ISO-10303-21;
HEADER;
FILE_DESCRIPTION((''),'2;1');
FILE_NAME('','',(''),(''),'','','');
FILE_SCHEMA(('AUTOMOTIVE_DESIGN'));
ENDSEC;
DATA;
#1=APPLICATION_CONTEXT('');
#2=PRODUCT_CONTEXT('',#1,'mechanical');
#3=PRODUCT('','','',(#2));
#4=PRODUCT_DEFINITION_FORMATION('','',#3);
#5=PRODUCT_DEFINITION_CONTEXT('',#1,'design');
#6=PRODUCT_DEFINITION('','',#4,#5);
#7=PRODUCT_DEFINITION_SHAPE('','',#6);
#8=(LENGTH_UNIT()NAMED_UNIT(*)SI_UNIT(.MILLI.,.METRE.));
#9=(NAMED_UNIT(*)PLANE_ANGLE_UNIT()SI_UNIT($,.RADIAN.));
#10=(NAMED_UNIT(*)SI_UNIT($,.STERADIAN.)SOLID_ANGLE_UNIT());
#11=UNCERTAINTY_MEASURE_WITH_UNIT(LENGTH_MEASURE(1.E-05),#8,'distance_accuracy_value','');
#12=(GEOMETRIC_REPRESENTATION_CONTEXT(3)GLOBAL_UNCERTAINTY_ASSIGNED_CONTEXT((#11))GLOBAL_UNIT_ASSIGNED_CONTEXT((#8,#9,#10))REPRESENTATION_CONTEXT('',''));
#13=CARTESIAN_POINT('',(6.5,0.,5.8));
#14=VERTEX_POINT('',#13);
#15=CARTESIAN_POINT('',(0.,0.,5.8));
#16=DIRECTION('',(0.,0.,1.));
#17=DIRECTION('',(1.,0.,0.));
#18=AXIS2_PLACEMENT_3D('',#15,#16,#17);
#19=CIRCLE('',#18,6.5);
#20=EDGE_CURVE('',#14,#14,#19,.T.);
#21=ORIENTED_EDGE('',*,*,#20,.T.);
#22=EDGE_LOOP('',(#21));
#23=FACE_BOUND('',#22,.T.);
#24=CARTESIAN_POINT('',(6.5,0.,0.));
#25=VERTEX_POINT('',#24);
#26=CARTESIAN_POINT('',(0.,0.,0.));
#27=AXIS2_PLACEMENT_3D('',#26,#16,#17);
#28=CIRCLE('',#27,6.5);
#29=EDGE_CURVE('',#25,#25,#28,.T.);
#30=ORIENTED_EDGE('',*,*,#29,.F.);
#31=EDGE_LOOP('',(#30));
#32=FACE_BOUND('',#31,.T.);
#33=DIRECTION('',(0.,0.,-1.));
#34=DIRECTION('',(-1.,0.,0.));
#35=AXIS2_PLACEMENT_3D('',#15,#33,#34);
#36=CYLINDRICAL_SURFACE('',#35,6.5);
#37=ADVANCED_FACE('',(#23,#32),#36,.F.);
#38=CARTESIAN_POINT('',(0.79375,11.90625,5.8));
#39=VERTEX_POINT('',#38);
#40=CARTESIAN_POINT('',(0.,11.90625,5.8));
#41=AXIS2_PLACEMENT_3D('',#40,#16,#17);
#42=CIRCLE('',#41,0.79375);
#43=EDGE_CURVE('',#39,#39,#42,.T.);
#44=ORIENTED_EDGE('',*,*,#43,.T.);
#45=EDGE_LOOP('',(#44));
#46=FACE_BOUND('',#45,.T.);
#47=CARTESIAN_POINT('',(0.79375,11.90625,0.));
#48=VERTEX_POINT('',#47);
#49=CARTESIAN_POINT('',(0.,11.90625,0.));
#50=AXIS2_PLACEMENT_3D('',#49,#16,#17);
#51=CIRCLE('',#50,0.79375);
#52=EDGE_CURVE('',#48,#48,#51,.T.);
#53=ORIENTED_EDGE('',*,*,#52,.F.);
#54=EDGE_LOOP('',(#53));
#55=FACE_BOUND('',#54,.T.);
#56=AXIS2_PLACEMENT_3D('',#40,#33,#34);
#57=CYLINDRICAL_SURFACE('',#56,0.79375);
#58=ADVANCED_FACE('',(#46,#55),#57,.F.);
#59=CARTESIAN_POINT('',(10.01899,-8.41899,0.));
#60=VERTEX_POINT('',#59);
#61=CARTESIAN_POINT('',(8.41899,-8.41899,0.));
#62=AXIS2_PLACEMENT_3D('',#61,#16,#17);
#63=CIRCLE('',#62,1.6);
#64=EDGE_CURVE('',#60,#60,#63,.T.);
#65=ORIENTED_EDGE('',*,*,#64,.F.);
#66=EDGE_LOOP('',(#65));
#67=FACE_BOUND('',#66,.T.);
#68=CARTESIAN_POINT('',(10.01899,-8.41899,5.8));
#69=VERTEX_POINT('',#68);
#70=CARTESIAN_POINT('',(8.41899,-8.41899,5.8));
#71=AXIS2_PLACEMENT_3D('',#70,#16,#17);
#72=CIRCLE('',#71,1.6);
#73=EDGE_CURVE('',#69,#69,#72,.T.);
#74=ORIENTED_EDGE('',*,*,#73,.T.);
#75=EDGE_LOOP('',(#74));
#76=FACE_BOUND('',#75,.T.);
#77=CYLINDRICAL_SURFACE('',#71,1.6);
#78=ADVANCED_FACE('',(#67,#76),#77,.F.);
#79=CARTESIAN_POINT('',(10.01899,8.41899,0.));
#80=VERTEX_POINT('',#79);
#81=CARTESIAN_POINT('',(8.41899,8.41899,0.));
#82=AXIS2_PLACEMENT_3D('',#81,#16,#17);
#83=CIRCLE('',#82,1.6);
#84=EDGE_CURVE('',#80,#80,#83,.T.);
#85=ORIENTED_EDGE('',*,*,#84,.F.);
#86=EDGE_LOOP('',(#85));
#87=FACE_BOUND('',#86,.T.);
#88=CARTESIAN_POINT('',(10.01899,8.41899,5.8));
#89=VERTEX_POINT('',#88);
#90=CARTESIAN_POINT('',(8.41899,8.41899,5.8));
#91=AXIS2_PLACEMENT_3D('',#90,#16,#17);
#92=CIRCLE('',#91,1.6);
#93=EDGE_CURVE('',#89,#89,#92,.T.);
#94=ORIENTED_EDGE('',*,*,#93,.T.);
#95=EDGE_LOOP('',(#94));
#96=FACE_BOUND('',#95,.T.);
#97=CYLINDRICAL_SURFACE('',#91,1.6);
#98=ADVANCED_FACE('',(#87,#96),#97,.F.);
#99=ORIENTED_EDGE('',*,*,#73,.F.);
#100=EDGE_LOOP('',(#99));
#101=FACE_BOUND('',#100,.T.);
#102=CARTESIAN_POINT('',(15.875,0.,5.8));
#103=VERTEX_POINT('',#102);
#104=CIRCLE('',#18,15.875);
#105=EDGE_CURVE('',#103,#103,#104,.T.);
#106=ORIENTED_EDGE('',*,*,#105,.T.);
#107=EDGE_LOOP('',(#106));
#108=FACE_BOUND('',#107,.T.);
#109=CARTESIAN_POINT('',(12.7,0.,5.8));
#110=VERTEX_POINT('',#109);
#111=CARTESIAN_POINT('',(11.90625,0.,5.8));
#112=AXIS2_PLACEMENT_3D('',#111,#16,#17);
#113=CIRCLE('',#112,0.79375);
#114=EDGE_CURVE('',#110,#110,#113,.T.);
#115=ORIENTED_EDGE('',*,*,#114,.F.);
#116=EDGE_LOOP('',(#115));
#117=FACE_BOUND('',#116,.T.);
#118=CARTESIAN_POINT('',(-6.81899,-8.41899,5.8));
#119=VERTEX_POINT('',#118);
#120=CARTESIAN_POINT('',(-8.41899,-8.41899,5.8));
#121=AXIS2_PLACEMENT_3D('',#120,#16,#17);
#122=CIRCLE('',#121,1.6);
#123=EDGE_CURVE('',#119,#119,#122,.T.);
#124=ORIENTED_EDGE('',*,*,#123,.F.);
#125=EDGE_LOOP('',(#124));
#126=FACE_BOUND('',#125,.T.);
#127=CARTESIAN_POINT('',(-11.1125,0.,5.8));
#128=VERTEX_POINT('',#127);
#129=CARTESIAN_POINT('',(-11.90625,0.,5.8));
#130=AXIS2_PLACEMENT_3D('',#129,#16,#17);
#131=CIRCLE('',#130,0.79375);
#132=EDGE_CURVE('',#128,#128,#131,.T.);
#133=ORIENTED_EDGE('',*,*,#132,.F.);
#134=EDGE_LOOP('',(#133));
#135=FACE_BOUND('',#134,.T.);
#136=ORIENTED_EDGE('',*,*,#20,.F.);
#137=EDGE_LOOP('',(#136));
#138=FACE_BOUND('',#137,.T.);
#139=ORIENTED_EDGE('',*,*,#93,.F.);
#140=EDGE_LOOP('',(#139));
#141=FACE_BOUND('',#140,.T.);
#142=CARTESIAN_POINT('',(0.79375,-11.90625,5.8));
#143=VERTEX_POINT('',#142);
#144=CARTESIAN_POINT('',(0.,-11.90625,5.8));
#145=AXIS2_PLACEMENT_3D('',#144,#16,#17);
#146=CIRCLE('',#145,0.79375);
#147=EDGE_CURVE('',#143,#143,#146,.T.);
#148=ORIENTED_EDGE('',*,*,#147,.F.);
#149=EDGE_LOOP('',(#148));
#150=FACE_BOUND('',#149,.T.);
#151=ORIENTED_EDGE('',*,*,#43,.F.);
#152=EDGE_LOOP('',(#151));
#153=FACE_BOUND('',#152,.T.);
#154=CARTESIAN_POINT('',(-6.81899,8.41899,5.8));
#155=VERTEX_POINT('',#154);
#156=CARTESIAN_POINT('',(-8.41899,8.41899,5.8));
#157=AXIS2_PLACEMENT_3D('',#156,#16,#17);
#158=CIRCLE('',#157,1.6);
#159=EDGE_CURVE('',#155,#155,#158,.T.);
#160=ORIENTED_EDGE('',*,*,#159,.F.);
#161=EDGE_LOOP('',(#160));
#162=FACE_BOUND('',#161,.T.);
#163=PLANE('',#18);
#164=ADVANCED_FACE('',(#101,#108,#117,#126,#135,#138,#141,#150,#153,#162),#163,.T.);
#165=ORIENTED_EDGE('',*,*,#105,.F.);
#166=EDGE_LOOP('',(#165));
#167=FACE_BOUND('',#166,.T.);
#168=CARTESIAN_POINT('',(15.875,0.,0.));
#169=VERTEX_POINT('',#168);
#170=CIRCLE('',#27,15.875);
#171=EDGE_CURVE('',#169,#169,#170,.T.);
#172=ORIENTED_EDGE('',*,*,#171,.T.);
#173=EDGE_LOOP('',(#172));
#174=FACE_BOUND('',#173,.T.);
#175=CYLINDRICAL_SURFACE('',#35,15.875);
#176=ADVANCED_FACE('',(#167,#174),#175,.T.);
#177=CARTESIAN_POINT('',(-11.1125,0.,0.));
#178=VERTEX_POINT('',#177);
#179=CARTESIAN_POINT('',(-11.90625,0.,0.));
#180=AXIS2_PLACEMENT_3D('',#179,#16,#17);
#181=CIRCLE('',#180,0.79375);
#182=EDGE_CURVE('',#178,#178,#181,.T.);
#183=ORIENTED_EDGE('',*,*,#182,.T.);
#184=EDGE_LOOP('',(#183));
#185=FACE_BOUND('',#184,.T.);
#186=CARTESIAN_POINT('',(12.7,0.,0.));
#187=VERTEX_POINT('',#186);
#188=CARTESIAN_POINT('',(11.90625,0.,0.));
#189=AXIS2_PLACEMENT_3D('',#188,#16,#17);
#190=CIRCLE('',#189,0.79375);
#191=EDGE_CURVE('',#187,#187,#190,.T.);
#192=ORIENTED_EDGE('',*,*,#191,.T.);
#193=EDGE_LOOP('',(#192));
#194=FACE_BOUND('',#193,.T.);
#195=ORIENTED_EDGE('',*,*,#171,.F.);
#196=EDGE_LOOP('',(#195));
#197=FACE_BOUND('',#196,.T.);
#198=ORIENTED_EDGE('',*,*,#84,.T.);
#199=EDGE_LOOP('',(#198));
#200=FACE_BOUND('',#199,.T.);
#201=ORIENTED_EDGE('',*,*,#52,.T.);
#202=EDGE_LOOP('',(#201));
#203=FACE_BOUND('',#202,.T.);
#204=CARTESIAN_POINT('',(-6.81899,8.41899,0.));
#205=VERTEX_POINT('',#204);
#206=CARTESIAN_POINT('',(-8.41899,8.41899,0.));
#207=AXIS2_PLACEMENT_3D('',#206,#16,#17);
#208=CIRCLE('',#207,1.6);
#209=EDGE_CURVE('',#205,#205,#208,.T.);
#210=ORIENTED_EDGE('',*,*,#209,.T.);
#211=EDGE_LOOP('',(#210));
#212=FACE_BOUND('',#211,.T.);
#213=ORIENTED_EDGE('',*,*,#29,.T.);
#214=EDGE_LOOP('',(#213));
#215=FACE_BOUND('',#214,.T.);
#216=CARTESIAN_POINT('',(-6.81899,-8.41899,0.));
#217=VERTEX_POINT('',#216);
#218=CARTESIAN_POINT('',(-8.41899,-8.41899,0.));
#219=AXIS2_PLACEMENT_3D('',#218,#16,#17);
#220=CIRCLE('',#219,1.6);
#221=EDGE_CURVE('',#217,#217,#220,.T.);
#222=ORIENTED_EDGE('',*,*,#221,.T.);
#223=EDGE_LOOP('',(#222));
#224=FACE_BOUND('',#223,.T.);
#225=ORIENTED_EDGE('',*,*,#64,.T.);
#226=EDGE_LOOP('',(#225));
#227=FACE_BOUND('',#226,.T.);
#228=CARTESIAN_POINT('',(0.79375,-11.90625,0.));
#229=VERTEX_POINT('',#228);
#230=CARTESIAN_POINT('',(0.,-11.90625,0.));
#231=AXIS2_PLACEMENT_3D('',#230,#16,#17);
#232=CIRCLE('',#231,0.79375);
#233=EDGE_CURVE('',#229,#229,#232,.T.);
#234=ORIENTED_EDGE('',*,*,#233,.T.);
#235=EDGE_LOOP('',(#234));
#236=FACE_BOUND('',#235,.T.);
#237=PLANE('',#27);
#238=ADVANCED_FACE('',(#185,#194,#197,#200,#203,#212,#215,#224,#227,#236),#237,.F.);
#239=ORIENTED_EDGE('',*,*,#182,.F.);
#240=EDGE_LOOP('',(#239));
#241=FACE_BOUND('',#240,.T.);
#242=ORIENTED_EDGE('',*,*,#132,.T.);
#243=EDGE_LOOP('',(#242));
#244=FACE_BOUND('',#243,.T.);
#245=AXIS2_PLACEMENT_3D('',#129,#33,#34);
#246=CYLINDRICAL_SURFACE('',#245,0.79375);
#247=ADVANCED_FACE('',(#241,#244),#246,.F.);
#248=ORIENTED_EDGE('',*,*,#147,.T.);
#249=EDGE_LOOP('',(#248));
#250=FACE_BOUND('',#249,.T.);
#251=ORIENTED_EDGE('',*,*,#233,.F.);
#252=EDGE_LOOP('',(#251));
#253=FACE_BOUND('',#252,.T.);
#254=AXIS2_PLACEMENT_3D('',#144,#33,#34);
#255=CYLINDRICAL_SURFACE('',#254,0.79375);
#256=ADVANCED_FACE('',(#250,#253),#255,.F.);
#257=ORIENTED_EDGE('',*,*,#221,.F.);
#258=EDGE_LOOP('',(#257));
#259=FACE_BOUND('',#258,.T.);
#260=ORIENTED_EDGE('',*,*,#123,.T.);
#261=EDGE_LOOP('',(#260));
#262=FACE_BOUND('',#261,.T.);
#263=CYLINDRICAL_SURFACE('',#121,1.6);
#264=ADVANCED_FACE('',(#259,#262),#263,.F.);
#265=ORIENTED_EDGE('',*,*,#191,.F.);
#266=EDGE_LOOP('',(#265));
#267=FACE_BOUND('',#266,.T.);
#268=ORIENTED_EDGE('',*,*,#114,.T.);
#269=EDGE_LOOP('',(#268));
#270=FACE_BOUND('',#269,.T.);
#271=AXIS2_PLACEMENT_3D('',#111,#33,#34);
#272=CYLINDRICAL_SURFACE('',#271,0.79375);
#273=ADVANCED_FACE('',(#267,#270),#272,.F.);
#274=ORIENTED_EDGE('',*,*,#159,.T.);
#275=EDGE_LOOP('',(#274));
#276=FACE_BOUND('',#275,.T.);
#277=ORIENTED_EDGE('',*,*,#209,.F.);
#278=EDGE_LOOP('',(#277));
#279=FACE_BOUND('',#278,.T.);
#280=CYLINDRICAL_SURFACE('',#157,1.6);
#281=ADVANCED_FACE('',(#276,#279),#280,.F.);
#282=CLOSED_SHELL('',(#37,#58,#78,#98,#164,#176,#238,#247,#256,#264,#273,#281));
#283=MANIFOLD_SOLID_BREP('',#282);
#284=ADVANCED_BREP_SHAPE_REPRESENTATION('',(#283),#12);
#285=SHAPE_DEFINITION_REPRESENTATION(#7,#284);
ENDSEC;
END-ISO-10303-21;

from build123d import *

# Parameters (mm, degrees)
SKETCH1_R                = 15.875
SKETCH1_R_2              = 6.5
SKETCH1_R_3              = 0.79375
BOSS_EXTRUDE1_DEPTH      = 5.8
M3_CLEARANCE_HOLE1_D     = 3.2
M3_CLEARANCE_HOLE1_DEPTH = 5.8
M3_CLEARANCE_HOLE1_TIP   = 0.96137699


with BuildPart() as part:
    # Sketch1 → Boss-Extrude1 (new body)
    with BuildSketch(Plane.XY):
        Circle(SKETCH1_R)
        Circle(SKETCH1_R_2, mode=Mode.SUBTRACT)
        with Locations((0, 11.90625)):
            Circle(SKETCH1_R_3, mode=Mode.SUBTRACT)
        with Locations((-11.90625, 0)):
            Circle(SKETCH1_R_3, mode=Mode.SUBTRACT)
        with Locations((0, -11.90625)):
            Circle(SKETCH1_R_3, mode=Mode.SUBTRACT)
        with Locations((11.90625, 0)):
            Circle(SKETCH1_R_3, mode=Mode.SUBTRACT)
    extrude(amount=BOSS_EXTRUDE1_DEPTH)

    # M3 Clearance Hole1
    with Locations(Plane.XY.offset(5.8)):
        with Locations((-8.418990114, 8.418990114), (8.418990114, 8.418990114), (8.418990114, -8.418990114), (-8.418990114, -8.418990114)):
            Hole(M3_CLEARANCE_HOLE1_D / 2, depth=M3_CLEARANCE_HOLE1_DEPTH)
            with Locations((0, 0, -(M3_CLEARANCE_HOLE1_DEPTH + M3_CLEARANCE_HOLE1_TIP / 2))):  # 118° drill point
                Cone(0, M3_CLEARANCE_HOLE1_D / 2, M3_CLEARANCE_HOLE1_TIP, mode=Mode.SUBTRACT)


solid = part.part
